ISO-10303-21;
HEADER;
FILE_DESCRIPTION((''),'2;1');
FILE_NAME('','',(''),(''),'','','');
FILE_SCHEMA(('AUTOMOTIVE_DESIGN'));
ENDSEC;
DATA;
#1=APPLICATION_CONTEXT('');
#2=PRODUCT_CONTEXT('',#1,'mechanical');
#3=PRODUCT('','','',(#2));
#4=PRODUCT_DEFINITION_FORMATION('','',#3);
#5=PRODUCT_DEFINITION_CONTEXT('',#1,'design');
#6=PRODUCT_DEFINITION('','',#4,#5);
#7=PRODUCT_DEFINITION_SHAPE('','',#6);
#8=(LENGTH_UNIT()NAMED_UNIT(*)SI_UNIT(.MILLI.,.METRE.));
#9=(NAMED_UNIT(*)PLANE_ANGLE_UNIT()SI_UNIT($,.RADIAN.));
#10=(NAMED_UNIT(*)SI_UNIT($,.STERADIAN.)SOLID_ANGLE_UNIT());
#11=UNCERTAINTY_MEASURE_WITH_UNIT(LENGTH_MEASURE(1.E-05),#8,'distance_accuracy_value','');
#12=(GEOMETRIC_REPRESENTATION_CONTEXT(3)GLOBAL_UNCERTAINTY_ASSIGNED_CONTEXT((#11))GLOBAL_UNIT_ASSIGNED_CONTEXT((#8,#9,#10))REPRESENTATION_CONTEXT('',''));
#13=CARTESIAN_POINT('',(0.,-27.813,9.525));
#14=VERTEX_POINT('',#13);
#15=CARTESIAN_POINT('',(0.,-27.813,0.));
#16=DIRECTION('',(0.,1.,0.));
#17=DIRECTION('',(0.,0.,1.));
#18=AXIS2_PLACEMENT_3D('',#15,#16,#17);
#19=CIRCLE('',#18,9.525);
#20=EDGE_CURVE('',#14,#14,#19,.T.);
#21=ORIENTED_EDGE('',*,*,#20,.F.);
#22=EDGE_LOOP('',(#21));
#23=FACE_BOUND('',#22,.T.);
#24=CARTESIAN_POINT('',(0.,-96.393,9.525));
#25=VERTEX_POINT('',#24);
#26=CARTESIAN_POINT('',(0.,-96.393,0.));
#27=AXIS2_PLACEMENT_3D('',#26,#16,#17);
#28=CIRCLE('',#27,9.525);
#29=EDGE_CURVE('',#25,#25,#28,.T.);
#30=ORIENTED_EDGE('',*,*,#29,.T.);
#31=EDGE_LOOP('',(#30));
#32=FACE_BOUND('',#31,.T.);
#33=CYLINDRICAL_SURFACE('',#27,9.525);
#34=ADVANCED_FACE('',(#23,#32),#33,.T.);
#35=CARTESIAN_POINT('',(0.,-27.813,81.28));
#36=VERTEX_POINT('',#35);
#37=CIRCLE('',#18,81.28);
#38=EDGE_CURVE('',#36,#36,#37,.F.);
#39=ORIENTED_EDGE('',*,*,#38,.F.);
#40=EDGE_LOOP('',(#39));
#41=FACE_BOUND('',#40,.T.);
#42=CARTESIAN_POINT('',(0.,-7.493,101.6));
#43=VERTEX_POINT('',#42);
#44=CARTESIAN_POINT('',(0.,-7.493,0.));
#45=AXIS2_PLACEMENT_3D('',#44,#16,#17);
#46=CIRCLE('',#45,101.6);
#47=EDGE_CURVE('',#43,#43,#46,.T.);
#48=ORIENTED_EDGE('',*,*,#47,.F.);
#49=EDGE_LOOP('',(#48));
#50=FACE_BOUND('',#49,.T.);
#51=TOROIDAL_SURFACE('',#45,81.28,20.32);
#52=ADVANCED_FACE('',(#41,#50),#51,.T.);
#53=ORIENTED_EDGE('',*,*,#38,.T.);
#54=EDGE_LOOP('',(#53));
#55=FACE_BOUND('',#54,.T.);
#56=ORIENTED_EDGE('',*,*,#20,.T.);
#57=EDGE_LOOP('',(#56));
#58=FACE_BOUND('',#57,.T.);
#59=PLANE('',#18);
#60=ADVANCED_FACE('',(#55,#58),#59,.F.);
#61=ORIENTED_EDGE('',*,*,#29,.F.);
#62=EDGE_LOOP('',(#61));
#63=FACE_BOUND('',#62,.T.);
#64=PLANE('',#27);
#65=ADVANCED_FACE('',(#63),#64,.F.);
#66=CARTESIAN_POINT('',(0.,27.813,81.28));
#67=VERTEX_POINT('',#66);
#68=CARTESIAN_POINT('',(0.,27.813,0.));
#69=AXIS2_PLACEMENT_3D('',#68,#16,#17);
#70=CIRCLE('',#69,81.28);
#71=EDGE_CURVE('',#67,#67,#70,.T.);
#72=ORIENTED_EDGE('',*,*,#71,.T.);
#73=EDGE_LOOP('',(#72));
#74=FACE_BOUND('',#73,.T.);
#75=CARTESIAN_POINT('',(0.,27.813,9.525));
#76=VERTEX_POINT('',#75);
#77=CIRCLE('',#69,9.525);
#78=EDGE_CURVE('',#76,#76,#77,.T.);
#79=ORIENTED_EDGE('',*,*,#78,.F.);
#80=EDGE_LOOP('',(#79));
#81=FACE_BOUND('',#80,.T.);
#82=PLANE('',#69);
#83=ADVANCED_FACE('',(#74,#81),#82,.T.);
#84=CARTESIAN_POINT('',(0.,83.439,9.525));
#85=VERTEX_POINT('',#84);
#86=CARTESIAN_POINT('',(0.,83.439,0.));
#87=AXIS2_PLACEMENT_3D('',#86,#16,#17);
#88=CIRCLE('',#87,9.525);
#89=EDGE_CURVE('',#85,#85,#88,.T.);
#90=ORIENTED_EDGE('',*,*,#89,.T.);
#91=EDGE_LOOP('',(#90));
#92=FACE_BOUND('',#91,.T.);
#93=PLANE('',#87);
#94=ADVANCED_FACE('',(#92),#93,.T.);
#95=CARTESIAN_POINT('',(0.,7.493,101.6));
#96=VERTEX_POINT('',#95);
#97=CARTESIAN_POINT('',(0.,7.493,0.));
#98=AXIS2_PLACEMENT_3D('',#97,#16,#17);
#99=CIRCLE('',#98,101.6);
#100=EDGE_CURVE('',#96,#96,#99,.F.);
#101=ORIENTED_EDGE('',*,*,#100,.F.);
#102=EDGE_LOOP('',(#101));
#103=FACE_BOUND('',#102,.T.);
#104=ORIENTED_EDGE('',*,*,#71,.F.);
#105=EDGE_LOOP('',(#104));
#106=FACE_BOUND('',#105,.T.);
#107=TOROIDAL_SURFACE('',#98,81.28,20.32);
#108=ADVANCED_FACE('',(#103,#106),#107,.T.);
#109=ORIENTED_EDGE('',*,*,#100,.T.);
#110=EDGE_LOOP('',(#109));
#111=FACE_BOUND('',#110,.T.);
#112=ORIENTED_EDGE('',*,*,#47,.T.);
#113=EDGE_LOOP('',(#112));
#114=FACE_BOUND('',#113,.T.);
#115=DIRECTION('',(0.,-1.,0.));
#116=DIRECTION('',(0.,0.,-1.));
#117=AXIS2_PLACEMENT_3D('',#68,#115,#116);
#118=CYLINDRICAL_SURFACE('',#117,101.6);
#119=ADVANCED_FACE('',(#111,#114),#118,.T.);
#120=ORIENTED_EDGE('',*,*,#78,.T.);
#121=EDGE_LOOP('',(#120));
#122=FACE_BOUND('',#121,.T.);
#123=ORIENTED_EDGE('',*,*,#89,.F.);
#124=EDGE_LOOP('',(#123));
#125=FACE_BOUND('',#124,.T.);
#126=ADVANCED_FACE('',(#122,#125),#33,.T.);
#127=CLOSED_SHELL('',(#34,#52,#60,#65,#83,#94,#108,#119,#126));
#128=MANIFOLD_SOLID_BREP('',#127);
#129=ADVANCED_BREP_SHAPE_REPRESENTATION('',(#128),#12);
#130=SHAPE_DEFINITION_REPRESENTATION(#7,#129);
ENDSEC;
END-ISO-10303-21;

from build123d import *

# Parameters (mm, degrees)
SKETCH1_R                = 101.6
BOSS_EXTRUDE1_DEPTH      = 27.813
BOSS_EXTRUDE2_DEPTH      = 55.626
BOSS_EXTRUDE2_DEPTH_BACK = 124.206
SKETCH2_R                = 9.525
FILLET1_R                = 20.32


with BuildPart() as part:
    # Sketch1 → Boss-Extrude1 (new, symmetric)
    with BuildSketch(Plane(origin=(0, 0, 0), x_dir=(1, 0, 0), z_dir=(0, 1, 0))):
        with Locations(Location((0, 0, 0), (0, 0, 270))):
            Circle(SKETCH1_R)
    extrude(amount=BOSS_EXTRUDE1_DEPTH, both=True)

    # Sketch2 → Boss-Extrude2 (add, two sides: drawn at the far end of the back side and taken through both)
    with BuildSketch(Plane(origin=(0, 27.813, 0), x_dir=(1, 0, 0), z_dir=(0, 1, 0)).offset(-BOSS_EXTRUDE2_DEPTH_BACK)):
        with Locations(Location((0, 0, 0), (0, 0, 270))):
            Circle(SKETCH2_R)
    extrude(amount=BOSS_EXTRUDE2_DEPTH + BOSS_EXTRUDE2_DEPTH_BACK)

    # Fillet1
    fillet1_edges = [part.edges().sort_by_distance(p)[0] for p in [
        (0, -27.813, -101.6),
        (0, 27.813, -101.6),
    ]]
    fillet(fillet1_edges, radius=FILLET1_R)


solid = part.part
